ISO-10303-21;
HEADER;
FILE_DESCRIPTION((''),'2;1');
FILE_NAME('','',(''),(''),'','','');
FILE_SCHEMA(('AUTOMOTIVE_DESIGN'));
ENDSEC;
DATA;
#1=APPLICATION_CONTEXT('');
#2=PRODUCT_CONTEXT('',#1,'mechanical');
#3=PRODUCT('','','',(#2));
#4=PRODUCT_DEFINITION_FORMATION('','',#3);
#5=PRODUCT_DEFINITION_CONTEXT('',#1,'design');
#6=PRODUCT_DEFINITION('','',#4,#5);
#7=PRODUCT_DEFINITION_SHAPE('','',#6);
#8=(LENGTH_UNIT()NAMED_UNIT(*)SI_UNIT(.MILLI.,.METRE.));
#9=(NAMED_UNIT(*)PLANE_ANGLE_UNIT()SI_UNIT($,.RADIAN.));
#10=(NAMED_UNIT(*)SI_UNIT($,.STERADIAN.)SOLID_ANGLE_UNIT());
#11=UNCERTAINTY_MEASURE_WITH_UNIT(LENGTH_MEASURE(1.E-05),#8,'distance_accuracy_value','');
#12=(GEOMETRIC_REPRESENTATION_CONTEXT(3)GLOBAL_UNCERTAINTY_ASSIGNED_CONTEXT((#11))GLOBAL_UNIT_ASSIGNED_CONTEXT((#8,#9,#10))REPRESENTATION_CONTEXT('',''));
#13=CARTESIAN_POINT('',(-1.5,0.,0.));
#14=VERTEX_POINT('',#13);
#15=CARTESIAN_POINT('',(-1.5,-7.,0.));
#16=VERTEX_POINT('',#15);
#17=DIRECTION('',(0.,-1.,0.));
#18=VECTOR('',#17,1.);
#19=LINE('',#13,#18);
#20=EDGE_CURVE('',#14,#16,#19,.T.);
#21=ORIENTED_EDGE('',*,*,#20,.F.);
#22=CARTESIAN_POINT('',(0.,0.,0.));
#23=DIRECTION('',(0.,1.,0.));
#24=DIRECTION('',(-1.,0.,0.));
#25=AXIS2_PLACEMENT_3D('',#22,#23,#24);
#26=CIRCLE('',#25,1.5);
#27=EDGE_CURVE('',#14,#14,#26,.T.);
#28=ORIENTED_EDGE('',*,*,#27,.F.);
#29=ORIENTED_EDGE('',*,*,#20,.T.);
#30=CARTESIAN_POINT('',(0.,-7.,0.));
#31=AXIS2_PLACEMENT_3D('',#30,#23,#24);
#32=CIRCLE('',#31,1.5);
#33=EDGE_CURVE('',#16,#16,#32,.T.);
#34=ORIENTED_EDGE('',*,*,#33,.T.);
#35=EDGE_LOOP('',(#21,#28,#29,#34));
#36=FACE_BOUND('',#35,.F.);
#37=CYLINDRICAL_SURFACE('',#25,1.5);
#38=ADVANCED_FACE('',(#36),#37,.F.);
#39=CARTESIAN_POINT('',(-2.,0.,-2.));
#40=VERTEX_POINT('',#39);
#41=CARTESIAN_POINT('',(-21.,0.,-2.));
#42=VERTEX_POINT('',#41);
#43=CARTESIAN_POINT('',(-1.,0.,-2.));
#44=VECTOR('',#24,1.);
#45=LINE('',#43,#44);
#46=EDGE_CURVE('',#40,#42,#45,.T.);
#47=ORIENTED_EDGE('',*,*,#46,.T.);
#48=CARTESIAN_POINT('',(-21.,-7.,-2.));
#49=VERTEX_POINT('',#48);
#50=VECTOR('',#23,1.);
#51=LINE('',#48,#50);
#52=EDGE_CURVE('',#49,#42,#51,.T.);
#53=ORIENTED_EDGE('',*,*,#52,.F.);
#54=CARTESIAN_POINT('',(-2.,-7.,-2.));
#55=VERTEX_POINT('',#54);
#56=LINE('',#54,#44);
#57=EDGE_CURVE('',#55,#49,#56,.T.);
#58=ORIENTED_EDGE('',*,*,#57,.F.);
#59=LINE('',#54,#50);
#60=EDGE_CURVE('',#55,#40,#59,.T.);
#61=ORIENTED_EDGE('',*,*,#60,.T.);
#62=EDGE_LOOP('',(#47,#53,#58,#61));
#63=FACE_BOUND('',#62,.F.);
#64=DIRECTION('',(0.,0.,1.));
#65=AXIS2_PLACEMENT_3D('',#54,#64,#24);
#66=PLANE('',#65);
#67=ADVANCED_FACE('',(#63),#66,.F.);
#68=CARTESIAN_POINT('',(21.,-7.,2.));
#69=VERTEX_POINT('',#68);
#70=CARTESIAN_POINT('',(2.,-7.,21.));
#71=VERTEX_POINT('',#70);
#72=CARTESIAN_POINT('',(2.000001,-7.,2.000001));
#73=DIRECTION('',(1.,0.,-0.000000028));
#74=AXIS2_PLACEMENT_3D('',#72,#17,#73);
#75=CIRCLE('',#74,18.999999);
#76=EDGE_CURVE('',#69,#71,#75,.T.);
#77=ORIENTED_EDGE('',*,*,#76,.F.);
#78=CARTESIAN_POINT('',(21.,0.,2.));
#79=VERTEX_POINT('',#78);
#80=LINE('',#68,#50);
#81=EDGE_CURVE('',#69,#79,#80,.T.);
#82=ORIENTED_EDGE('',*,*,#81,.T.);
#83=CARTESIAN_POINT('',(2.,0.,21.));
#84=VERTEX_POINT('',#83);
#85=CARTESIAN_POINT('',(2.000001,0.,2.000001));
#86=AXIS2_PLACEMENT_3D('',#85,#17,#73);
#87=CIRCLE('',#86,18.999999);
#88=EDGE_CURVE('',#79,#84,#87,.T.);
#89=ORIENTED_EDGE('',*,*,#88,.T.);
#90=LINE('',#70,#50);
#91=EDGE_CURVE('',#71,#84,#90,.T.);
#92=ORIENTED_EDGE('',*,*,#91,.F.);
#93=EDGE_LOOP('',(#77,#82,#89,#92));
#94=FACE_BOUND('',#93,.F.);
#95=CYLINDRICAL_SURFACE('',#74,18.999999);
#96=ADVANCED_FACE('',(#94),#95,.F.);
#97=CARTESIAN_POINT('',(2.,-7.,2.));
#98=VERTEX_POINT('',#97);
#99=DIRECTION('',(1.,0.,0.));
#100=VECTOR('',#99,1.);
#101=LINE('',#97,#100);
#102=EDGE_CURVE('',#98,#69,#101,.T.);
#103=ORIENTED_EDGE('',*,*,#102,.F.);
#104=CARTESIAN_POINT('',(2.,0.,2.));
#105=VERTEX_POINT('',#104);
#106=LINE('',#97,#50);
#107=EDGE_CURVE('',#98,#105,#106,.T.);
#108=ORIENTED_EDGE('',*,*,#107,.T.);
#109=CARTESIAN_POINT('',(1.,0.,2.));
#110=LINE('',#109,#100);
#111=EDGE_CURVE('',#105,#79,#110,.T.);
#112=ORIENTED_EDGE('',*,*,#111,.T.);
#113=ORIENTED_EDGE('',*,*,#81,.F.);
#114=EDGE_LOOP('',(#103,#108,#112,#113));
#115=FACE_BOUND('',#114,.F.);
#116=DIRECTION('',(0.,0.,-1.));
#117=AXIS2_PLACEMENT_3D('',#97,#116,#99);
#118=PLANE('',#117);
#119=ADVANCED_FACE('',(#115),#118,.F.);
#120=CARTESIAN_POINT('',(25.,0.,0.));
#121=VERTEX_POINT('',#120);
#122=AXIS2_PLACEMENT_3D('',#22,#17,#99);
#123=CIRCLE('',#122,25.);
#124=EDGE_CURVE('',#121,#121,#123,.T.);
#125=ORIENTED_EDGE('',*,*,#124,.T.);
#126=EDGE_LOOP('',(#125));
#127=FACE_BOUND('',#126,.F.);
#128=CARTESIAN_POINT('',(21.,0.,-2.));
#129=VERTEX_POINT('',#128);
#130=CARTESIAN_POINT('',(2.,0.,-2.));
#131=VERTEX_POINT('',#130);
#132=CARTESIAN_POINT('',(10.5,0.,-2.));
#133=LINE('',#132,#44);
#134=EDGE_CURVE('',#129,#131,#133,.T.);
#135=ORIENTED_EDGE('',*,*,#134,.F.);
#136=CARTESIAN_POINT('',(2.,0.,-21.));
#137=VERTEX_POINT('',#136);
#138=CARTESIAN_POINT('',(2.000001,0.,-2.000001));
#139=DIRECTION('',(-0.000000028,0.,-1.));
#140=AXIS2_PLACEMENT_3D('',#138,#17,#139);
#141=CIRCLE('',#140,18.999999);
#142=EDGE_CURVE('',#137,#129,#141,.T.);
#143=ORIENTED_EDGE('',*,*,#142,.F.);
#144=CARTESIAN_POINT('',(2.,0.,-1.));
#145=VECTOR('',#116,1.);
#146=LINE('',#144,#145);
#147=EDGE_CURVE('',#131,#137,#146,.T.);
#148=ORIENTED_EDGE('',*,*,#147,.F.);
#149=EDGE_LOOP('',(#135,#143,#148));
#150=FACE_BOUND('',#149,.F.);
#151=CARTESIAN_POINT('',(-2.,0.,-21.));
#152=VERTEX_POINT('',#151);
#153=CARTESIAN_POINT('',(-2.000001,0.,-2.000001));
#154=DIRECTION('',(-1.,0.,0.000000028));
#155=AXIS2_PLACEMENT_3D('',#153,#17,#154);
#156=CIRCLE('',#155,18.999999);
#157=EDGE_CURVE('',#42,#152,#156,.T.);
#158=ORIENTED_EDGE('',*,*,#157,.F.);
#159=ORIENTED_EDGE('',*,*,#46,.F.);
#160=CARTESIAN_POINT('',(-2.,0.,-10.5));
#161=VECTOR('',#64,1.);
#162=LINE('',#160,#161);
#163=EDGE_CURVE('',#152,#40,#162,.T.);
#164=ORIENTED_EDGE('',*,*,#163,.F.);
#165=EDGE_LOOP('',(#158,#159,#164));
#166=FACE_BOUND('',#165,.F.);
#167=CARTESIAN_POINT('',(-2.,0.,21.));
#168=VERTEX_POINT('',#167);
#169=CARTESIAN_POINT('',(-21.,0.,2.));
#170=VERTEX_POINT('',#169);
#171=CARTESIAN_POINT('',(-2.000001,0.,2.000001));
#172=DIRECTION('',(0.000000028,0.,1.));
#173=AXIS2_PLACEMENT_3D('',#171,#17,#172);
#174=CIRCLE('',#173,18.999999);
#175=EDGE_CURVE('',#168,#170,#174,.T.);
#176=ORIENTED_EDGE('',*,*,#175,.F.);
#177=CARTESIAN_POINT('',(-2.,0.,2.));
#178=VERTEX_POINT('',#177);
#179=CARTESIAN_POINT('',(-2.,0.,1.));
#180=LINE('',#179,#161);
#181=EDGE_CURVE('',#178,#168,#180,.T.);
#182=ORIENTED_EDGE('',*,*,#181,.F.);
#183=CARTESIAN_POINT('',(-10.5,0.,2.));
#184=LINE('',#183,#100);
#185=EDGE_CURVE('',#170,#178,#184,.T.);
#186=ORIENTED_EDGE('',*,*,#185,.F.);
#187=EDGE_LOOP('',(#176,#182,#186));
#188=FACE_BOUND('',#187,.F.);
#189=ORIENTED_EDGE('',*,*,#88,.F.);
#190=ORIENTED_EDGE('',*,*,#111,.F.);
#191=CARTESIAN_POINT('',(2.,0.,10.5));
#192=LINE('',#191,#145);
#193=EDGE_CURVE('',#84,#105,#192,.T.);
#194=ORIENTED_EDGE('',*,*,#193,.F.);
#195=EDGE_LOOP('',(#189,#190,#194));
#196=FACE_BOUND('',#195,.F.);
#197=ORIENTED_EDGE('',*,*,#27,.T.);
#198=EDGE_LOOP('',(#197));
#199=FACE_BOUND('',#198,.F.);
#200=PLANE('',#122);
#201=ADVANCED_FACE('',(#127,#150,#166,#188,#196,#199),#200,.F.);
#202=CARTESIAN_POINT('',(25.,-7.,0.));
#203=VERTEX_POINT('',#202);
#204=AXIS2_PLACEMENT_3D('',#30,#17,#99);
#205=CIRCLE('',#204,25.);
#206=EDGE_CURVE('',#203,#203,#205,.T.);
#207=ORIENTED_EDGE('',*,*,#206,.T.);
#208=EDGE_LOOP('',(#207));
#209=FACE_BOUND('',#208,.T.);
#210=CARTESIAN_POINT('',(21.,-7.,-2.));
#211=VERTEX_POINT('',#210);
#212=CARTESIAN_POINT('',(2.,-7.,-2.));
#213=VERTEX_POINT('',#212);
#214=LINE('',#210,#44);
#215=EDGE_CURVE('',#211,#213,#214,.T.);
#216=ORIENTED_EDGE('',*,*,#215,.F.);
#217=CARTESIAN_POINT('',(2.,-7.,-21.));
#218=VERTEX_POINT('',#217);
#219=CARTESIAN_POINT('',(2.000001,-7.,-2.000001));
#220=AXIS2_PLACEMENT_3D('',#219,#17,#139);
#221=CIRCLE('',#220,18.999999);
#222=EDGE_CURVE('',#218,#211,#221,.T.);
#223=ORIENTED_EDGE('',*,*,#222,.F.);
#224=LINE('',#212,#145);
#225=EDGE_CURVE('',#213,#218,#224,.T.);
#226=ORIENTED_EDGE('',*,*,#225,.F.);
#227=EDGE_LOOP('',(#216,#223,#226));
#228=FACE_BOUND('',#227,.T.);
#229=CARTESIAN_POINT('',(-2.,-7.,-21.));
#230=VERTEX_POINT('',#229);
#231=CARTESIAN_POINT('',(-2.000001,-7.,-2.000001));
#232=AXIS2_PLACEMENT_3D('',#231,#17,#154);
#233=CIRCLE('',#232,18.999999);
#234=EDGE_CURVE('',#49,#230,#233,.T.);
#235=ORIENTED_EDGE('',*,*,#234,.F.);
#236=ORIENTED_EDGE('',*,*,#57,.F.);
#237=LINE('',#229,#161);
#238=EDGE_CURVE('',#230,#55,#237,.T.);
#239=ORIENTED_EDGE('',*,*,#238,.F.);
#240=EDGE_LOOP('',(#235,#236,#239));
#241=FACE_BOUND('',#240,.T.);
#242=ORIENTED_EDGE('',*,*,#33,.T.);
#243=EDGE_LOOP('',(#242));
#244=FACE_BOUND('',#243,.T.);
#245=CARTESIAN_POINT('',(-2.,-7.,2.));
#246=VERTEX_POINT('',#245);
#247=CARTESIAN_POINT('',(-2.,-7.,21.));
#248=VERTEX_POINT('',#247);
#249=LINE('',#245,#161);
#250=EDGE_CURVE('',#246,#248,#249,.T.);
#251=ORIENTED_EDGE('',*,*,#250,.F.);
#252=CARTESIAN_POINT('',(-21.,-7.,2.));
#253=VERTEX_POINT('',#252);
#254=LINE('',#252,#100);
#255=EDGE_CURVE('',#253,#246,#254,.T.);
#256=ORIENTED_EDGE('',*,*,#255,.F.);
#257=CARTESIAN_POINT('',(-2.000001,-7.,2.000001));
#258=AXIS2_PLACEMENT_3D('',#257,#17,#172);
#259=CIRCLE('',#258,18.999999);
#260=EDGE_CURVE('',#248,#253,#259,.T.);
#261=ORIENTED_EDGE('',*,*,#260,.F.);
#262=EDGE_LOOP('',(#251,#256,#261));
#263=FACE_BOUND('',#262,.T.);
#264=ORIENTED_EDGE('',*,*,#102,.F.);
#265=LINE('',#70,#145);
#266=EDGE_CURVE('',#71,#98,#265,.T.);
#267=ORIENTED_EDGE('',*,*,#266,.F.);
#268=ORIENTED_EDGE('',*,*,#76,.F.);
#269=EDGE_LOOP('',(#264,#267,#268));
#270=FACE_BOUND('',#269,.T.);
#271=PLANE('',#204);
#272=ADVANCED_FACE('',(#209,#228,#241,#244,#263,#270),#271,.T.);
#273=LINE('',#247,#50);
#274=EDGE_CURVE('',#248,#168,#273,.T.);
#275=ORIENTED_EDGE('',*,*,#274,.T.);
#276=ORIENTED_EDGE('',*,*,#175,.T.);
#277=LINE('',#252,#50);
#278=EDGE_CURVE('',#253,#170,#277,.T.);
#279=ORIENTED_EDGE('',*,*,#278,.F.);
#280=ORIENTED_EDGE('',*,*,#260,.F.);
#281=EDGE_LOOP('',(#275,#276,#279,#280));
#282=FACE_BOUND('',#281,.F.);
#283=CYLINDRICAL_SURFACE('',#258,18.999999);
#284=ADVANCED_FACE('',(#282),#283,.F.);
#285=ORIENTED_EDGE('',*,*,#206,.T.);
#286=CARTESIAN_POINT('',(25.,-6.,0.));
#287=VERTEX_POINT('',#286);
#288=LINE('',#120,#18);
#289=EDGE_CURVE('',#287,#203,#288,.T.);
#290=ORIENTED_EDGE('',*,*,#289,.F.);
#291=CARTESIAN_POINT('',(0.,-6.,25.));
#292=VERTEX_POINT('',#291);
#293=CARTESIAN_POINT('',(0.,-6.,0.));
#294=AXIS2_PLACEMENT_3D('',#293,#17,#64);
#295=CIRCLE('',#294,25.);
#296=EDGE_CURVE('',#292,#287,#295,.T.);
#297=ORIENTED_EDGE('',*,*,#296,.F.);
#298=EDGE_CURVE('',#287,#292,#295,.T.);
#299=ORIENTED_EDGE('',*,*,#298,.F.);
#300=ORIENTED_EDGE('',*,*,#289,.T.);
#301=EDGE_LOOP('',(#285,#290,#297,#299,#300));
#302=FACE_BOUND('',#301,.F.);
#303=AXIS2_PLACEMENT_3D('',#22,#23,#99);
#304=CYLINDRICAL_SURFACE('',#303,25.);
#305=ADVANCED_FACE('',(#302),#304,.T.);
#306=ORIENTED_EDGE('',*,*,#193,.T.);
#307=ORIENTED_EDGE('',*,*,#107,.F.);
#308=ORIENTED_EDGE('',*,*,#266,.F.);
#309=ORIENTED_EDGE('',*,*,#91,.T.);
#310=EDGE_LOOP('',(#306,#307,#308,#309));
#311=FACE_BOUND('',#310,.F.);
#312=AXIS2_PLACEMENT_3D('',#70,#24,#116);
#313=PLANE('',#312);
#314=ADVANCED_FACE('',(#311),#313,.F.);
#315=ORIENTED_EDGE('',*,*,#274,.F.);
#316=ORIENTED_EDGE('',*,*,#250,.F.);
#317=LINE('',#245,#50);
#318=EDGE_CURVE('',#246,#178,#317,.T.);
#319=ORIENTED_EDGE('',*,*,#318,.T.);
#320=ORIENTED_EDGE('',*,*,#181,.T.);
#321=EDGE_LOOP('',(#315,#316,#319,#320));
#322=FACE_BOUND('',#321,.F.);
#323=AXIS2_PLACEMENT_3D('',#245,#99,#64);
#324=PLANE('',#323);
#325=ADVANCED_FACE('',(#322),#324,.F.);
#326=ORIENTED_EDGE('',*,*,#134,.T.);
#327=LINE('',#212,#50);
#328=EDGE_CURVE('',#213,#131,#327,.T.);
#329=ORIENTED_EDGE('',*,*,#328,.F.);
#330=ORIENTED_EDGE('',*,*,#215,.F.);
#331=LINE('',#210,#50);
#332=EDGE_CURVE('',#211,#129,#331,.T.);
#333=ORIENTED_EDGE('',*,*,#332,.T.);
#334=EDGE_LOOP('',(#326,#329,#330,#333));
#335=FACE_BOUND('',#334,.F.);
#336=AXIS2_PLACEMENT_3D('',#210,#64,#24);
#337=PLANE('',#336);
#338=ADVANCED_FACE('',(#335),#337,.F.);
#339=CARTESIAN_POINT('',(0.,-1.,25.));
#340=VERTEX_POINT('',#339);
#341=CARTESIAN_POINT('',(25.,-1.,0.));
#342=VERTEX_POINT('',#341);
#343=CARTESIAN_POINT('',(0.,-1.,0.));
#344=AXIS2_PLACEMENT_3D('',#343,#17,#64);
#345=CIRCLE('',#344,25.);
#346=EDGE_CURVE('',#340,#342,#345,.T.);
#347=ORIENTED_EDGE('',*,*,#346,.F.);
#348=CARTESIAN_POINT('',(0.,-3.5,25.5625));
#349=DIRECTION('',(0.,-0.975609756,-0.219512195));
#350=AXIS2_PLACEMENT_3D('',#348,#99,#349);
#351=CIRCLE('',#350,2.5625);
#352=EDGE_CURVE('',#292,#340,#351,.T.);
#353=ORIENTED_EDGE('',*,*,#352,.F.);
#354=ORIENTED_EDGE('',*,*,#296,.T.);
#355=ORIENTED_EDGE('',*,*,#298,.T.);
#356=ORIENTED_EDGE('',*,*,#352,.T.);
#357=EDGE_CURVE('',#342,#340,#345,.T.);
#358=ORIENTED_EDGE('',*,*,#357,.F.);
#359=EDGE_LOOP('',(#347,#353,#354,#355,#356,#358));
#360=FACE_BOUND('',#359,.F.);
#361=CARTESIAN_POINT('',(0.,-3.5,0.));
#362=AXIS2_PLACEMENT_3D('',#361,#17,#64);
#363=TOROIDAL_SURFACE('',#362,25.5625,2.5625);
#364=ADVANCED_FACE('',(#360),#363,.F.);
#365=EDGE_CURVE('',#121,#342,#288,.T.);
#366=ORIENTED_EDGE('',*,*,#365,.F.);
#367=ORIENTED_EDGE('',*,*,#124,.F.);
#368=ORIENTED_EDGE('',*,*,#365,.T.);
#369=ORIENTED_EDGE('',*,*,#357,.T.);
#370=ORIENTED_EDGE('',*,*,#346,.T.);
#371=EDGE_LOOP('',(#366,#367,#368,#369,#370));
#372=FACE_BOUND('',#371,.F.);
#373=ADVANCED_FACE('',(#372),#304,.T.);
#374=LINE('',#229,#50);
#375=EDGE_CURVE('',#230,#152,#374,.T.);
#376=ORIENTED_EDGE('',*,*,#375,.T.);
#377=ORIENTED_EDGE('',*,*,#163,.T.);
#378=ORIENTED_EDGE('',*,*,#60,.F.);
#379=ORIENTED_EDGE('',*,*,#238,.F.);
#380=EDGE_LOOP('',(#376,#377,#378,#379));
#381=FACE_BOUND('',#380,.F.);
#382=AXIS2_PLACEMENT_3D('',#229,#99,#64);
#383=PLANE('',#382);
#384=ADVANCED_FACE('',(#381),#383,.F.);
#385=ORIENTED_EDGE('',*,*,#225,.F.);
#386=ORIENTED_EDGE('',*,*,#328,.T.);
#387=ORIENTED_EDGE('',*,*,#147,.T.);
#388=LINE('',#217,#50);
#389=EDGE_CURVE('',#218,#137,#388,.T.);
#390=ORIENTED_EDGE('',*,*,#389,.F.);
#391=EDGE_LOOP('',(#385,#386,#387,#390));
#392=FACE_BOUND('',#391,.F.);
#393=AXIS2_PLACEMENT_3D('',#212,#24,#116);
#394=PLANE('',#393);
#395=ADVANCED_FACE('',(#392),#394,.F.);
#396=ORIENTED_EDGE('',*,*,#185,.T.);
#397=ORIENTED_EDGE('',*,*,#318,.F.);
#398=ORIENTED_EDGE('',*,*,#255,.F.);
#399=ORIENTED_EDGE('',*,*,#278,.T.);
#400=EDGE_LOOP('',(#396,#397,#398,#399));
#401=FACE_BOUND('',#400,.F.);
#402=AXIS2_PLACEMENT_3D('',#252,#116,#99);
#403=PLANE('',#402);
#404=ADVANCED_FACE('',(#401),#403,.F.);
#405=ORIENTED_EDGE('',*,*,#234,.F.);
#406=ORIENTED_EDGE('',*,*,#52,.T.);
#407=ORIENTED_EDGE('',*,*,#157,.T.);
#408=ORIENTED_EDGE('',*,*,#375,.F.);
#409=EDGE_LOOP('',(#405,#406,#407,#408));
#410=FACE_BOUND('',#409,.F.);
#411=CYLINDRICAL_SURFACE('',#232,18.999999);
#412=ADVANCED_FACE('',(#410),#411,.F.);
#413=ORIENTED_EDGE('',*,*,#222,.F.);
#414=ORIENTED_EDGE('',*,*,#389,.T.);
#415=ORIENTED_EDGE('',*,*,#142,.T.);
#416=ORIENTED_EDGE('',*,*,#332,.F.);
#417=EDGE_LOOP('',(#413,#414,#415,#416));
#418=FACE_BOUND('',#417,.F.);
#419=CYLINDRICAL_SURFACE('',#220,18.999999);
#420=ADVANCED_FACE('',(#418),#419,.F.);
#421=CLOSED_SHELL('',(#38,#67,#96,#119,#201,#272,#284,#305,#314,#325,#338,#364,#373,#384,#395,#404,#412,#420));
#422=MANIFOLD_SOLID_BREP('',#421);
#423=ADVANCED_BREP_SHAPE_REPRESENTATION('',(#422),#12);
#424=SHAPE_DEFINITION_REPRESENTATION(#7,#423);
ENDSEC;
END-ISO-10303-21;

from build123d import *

# Parameters (mm, degrees)
F0_R     = 25
F1_DEPTH = 7
F5_R     = 1.5
F6_DEPTH = 7.001
F8_DEPTH = 7.001


with BuildPart() as f1:
    # F0 (on Front) → F1 (new body)
    with BuildSketch(Plane.XZ):
        Circle(F0_R)
    extrude(amount=F1_DEPTH)

    # F2 (on Right) → F4 (revolve, cut)
    with BuildSketch(Plane.YZ):
        with BuildLine():
            Line((-1, 25), (-6, 25))
            ThreePointArc((-6, 25), (-3.5, 23), (-1, 25))
        make_face()
    revolve(axis=Axis((0, -8.172696, 0), (0, -1, 0)), mode=Mode.SUBTRACT)

    # F5 (on face) → F6 (cut, through all)
    with BuildSketch(Plane(origin=(0, 0, 0), x_dir=(-1, 0, 0), z_dir=(0, 1, 0))):
        Circle(F5_R)
    extrude(amount=-F6_DEPTH, mode=Mode.SUBTRACT)

    # F7 (on face) → F8 (cut, through all)
    with BuildSketch(Plane.XZ.offset(7)):
        with BuildLine():
            Line((-21, 2), (-2, 2))
            Line((-2, 2), (-2, 21))
            ThreePointArc((-2, 21), (-15.435029, 15.435029), (-21, 2))
        make_face()
        with BuildLine():
            Line((2, 21), (2, 2))
            Line((2, 2), (21, 2))
            ThreePointArc((21, 2), (15.435029, 15.435029), (2, 21))
        make_face()
        with BuildLine():
            Line((2, -2), (2, -21))
            ThreePointArc((2, -21), (15.435029, -15.435029), (21, -2))
            Line((21, -2), (2, -2))
        make_face()
        with BuildLine():
            ThreePointArc((-21, -2), (-15.435029, -15.435029), (-2, -21))
            Line((-2, -21), (-2, -2))
            Line((-2, -2), (-21, -2))
        make_face()
    extrude(amount=-F8_DEPTH, mode=Mode.SUBTRACT)


solid = f1.part
